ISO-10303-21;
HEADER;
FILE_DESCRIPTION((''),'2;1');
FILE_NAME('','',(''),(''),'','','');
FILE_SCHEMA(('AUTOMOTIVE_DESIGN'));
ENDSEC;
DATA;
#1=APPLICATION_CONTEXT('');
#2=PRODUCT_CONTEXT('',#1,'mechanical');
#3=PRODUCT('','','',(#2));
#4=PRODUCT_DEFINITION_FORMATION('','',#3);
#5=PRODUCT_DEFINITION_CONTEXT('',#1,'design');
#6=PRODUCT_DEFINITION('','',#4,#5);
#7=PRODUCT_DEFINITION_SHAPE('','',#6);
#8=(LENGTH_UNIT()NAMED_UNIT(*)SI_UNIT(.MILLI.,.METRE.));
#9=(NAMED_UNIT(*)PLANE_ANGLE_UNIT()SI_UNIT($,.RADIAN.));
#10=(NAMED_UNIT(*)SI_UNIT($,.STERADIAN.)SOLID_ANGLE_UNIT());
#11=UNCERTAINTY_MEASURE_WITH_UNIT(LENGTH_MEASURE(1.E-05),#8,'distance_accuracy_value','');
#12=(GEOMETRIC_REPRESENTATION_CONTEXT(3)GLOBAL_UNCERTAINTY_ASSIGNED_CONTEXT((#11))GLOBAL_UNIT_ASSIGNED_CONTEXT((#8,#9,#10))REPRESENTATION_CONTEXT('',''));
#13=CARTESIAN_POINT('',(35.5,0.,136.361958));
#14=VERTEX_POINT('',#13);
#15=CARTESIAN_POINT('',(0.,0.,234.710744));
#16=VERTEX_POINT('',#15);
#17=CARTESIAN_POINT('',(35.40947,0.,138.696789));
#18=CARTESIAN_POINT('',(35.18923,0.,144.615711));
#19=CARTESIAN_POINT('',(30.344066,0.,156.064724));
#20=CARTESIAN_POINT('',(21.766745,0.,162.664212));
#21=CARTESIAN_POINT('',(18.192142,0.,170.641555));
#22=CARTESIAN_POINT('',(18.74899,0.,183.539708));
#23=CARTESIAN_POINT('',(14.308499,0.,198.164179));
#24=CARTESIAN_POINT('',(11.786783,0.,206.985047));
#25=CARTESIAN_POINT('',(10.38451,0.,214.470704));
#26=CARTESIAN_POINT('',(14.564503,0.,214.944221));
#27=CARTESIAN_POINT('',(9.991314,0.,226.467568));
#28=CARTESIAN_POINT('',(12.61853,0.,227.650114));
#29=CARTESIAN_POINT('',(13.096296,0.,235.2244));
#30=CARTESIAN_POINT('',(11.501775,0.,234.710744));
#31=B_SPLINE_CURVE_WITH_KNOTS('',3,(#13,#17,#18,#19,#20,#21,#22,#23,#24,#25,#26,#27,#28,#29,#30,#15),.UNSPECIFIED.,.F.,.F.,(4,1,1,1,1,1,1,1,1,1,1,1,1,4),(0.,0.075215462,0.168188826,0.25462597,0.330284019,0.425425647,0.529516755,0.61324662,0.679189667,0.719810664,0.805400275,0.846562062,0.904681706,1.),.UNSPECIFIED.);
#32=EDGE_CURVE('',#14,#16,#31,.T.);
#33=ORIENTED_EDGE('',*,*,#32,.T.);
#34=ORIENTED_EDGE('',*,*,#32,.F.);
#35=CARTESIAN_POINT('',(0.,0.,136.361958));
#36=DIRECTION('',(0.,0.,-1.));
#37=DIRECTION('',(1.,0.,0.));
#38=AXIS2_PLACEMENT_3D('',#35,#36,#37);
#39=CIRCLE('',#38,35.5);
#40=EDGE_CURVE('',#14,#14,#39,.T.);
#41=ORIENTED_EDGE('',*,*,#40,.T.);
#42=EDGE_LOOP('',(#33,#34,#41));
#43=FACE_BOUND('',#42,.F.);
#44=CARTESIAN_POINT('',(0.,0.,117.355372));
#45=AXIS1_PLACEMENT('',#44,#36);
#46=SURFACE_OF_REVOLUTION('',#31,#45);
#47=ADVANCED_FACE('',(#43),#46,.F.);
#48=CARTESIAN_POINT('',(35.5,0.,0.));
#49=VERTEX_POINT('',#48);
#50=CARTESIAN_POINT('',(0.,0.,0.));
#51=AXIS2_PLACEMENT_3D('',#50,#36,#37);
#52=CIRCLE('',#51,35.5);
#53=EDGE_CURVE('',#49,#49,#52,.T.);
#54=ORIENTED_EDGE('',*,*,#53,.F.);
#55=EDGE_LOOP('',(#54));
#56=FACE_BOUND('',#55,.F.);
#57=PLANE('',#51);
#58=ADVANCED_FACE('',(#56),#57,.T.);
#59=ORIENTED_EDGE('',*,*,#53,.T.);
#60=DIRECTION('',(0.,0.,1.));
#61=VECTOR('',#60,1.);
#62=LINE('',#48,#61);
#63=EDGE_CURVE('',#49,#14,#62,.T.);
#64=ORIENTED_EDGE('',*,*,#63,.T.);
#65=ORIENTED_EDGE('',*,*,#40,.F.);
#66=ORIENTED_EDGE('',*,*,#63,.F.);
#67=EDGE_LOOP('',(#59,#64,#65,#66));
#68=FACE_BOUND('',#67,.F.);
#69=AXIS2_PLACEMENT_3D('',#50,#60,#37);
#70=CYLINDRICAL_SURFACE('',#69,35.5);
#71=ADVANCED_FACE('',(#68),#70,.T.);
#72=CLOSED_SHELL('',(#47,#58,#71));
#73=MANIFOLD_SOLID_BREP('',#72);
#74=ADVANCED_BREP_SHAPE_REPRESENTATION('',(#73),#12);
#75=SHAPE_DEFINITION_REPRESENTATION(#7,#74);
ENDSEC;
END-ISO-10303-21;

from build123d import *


with BuildPart() as f1:
    # F0 (on Front) → F1 (revolve)
    with BuildSketch(Plane.XZ):
        with BuildLine():
            Line((0, 234.7107438017), (0, 0))
            Line((0, 0), (35.5, 0))
            Line((35.5, 0), (35.5, 136.3619575284))
            add(Edge.make_bspline(
                [(35.5, 136.3619575284), (35.409470472, 138.6967888008), (35.1892300834, 144.615710818), (30.3440660174, 156.0647237641), (21.7667449481, 162.6642116691), (18.1921419277, 170.6415552466), (18.7489898212, 183.5397075003), (14.3084986319, 198.1641788925), (11.7867825772, 206.98504663), (10.3845096611, 214.4707042503), (14.5645025445, 214.9442211464), (9.9913135353, 226.4675679981), (12.61853013, 227.6501138781), (13.0962960279, 235.2244004007), (11.5017747234, 234.7107438017), (0, 234.7107438017)],
                knots=[0, 0, 0, 0, 0.0752154624, 0.1681888257, 0.2546259702, 0.3302840188, 0.4254256468, 0.5295167547, 0.6132466203, 0.6791896665, 0.7198106644, 0.8054002753, 0.8465620616, 0.9046817059, 1, 1, 1, 1], degree=3))
        make_face()
    revolve(axis=Axis((0, 0, 117.3553719008), (0, 0, -1)))


solid = f1.part
